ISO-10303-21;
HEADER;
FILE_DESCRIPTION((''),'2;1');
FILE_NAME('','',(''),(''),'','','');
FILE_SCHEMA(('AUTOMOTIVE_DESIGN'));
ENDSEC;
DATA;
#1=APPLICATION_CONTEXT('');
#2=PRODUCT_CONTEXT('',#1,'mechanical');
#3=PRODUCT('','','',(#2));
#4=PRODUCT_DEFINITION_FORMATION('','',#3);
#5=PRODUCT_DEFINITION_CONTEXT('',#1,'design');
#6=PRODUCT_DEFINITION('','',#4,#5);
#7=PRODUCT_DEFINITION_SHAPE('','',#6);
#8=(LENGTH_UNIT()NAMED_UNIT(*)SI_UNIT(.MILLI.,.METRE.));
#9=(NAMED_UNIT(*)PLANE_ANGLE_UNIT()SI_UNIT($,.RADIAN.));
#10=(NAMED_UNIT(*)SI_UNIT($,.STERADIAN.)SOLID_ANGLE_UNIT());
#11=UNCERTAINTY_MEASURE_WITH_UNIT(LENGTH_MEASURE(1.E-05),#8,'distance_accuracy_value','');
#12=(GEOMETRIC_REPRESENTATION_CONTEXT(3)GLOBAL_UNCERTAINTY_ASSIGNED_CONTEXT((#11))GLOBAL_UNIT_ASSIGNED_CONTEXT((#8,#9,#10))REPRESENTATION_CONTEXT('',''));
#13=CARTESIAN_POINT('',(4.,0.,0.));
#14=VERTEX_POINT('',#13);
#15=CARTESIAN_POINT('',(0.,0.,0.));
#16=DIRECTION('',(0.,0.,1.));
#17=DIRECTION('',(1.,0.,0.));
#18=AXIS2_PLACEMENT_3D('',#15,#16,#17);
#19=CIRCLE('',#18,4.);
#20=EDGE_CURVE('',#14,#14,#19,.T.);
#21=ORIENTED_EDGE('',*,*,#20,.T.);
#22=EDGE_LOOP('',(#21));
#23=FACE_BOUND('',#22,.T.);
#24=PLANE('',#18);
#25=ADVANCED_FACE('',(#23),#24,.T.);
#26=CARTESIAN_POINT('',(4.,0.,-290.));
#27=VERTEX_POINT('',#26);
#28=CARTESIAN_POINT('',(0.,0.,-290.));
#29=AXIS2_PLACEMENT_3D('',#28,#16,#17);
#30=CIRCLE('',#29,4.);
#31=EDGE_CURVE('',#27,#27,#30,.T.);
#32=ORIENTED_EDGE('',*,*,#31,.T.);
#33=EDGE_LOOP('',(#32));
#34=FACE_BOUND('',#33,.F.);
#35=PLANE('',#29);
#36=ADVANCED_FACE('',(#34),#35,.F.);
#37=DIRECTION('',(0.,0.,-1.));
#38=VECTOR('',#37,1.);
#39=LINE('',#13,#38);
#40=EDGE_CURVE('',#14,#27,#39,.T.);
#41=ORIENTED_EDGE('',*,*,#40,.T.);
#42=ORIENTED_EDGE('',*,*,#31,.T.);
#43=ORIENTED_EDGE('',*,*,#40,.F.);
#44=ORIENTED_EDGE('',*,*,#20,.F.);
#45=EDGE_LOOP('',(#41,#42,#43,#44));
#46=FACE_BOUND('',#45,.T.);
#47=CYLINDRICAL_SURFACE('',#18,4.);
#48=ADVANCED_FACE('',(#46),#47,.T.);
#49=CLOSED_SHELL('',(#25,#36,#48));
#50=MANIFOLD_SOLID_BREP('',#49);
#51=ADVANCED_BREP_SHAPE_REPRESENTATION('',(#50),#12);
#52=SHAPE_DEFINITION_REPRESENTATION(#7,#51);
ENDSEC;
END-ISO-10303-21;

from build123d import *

# Parameters (mm, degrees)
SKETCH1_R           = 4
BOSS_EXTRUDE1_DEPTH = 290


with BuildPart() as part:
    # Sketch1 → Boss-Extrude1 (new body)
    with BuildSketch(Plane.XY):
        Circle(SKETCH1_R)
    extrude(amount=-BOSS_EXTRUDE1_DEPTH)


solid = part.part
